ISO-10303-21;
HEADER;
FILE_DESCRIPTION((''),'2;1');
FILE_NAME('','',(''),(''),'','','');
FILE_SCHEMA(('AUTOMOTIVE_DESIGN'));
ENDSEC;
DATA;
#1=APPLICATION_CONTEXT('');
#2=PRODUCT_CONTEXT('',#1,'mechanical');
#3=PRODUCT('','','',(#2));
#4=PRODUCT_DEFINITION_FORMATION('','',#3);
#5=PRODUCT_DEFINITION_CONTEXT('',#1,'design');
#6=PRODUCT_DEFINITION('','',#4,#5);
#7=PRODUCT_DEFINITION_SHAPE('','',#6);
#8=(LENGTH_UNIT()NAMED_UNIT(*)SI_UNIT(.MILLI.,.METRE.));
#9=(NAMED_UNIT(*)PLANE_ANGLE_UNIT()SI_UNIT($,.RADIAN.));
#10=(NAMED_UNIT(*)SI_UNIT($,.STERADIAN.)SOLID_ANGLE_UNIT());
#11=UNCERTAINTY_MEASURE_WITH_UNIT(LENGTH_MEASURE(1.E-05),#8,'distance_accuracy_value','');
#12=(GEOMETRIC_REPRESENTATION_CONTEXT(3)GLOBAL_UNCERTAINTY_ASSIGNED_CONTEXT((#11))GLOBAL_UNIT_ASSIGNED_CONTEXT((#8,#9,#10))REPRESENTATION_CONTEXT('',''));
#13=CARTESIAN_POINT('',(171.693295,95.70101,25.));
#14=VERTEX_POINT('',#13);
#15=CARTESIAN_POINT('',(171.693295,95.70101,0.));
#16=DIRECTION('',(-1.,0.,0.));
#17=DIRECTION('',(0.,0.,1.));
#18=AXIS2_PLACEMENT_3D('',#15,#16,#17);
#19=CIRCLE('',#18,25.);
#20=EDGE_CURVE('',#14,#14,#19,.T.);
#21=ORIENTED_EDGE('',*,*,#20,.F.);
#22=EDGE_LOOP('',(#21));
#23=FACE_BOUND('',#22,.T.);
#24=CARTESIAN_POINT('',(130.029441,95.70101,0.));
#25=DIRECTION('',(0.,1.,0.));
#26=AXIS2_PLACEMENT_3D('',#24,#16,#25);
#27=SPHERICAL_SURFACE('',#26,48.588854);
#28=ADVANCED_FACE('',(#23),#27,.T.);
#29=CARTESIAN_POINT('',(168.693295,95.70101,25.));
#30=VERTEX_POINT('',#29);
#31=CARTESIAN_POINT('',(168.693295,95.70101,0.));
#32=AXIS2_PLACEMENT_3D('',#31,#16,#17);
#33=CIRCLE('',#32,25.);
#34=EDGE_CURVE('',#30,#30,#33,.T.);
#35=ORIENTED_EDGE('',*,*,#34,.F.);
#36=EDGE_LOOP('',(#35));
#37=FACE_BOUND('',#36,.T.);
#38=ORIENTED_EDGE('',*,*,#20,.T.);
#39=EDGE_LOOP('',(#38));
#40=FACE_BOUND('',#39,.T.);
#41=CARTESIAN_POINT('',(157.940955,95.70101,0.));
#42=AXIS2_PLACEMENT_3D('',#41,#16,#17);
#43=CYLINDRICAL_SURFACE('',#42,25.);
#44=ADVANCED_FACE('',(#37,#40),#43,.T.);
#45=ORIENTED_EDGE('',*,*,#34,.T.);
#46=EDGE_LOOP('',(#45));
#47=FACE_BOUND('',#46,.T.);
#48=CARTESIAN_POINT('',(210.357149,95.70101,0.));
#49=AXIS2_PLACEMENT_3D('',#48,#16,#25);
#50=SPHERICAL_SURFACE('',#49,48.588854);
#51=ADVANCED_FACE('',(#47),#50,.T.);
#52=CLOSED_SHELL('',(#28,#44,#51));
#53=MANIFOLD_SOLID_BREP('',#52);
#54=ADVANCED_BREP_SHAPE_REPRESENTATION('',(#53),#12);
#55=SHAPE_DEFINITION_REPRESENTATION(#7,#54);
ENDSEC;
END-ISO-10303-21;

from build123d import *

# Parameters (mm, degrees)
SKETCH_1_ONE_SIDE_W = 3
SKETCH_1_ONE_SIDE_H = 25


with BuildPart() as part:
    # 草图1 one side → 旋转1 (revolve)
    with BuildSketch(Plane.XY):
        with Locations((170.193294832, 108.201009888)):
            Rectangle(SKETCH_1_ONE_SIDE_W, SKETCH_1_ONE_SIDE_H)
        with BuildLine():
            Line((161.768294832, 95.701009888), (168.693294832, 95.701009888))
            Line((168.693294832, 95.701009888), (168.693294832, 120.701009888))
            ThreePointArc((168.693294832, 120.701009888), (163.53153804, 108.67170402), (161.768294832, 95.701009888))
        make_face()
        with BuildLine():
            Line((171.693294832, 95.701009888), (178.618294832, 95.701009888))
            ThreePointArc((178.618294832, 95.701009888), (176.855051624, 108.67170402), (171.693294832, 120.701009888))
            Line((171.693294832, 120.701009888), (171.693294832, 95.701009888))
        make_face()
    revolve(axis=Axis((157.940955212, 95.701009888, 0), (1, 0, 0)))


solid = part.part
